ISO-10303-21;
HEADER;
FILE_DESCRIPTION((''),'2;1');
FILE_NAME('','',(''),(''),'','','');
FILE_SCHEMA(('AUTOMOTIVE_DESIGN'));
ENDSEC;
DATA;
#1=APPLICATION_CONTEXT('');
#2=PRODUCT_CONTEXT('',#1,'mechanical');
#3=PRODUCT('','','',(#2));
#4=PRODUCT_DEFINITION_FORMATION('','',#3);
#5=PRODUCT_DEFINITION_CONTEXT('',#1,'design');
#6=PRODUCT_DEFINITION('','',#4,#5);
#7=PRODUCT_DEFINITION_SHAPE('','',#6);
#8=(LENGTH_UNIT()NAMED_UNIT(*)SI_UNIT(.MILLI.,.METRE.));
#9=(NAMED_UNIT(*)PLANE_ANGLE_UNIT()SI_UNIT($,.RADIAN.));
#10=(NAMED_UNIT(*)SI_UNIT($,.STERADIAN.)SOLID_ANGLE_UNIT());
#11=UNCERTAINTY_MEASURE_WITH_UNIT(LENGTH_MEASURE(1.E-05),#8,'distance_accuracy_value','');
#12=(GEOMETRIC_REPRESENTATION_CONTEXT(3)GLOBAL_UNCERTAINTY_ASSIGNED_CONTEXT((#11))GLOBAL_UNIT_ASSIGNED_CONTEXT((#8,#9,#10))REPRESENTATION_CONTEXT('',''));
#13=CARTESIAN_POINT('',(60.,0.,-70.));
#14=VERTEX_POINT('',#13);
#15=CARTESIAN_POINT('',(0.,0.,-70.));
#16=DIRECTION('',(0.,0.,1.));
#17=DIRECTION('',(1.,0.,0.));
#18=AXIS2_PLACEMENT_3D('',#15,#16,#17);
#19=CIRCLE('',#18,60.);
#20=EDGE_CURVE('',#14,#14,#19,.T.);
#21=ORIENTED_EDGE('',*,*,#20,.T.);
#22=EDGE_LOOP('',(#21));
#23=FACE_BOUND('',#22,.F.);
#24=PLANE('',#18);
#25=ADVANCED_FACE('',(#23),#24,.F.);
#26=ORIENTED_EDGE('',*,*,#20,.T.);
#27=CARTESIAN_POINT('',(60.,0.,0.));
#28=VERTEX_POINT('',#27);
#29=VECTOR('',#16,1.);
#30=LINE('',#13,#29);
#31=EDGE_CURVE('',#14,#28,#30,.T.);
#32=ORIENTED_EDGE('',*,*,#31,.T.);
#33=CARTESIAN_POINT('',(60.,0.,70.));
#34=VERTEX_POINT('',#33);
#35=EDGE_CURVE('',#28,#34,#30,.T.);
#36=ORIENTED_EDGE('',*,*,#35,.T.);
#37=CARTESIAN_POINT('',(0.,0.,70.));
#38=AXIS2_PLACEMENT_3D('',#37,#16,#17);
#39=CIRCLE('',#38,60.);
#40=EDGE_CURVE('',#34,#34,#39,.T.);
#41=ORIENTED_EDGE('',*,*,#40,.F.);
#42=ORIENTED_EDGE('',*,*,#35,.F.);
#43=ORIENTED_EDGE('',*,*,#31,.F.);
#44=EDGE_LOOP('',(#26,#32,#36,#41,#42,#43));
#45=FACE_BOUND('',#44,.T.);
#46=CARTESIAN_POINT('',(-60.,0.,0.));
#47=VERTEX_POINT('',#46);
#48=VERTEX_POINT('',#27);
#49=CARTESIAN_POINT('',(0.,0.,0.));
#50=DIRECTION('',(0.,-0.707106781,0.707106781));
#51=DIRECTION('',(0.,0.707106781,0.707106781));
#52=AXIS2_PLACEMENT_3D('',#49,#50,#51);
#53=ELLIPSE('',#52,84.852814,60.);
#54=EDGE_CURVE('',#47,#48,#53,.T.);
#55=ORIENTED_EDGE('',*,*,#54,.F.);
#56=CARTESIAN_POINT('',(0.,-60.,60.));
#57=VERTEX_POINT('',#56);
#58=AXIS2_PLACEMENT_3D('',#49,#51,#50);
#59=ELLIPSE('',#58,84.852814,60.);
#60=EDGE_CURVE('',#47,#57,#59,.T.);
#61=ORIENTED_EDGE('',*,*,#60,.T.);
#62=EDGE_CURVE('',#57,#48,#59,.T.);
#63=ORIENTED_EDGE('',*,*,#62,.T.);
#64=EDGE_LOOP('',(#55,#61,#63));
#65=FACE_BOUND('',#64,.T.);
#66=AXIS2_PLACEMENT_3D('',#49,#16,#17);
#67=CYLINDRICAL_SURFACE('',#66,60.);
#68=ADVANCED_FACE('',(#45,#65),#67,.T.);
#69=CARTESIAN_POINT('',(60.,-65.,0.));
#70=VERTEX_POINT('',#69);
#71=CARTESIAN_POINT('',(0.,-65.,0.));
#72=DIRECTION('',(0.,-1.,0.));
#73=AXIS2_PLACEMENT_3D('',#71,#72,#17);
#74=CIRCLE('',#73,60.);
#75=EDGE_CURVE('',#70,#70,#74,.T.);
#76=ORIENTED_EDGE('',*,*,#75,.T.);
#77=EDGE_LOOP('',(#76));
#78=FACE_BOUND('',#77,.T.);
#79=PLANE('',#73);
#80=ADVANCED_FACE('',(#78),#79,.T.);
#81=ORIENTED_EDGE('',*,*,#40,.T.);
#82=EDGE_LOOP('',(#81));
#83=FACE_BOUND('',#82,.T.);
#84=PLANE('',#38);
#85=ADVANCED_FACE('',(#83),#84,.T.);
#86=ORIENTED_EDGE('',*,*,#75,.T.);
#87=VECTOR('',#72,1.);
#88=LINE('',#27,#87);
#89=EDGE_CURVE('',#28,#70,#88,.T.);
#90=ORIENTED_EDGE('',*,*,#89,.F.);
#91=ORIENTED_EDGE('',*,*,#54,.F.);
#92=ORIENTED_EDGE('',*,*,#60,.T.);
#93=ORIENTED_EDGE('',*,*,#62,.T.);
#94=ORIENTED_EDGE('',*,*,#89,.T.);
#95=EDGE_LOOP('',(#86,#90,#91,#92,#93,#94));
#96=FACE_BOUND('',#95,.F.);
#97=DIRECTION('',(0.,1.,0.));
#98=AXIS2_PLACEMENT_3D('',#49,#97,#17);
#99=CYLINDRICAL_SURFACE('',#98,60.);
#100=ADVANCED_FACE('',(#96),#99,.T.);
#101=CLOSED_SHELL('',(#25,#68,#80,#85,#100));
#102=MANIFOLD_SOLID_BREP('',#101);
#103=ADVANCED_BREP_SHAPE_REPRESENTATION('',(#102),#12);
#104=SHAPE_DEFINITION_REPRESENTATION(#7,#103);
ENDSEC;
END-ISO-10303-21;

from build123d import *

# Parameters (mm, degrees)
SKETCH_R     = 60
PAD_DEPTH    = 70
SKETCH001_R  = 60
PAD001_DEPTH = 65


with BuildPart() as part:
    # Sketch → Pad (new body, symmetric)
    with BuildSketch(Plane.XY):
        Circle(SKETCH_R)
    extrude(amount=PAD_DEPTH, both=True)

    # Sketch001 → Pad001 (join)
    with BuildSketch(Plane.XZ):
        Circle(SKETCH001_R)
    extrude(amount=PAD001_DEPTH)


solid = part.part
